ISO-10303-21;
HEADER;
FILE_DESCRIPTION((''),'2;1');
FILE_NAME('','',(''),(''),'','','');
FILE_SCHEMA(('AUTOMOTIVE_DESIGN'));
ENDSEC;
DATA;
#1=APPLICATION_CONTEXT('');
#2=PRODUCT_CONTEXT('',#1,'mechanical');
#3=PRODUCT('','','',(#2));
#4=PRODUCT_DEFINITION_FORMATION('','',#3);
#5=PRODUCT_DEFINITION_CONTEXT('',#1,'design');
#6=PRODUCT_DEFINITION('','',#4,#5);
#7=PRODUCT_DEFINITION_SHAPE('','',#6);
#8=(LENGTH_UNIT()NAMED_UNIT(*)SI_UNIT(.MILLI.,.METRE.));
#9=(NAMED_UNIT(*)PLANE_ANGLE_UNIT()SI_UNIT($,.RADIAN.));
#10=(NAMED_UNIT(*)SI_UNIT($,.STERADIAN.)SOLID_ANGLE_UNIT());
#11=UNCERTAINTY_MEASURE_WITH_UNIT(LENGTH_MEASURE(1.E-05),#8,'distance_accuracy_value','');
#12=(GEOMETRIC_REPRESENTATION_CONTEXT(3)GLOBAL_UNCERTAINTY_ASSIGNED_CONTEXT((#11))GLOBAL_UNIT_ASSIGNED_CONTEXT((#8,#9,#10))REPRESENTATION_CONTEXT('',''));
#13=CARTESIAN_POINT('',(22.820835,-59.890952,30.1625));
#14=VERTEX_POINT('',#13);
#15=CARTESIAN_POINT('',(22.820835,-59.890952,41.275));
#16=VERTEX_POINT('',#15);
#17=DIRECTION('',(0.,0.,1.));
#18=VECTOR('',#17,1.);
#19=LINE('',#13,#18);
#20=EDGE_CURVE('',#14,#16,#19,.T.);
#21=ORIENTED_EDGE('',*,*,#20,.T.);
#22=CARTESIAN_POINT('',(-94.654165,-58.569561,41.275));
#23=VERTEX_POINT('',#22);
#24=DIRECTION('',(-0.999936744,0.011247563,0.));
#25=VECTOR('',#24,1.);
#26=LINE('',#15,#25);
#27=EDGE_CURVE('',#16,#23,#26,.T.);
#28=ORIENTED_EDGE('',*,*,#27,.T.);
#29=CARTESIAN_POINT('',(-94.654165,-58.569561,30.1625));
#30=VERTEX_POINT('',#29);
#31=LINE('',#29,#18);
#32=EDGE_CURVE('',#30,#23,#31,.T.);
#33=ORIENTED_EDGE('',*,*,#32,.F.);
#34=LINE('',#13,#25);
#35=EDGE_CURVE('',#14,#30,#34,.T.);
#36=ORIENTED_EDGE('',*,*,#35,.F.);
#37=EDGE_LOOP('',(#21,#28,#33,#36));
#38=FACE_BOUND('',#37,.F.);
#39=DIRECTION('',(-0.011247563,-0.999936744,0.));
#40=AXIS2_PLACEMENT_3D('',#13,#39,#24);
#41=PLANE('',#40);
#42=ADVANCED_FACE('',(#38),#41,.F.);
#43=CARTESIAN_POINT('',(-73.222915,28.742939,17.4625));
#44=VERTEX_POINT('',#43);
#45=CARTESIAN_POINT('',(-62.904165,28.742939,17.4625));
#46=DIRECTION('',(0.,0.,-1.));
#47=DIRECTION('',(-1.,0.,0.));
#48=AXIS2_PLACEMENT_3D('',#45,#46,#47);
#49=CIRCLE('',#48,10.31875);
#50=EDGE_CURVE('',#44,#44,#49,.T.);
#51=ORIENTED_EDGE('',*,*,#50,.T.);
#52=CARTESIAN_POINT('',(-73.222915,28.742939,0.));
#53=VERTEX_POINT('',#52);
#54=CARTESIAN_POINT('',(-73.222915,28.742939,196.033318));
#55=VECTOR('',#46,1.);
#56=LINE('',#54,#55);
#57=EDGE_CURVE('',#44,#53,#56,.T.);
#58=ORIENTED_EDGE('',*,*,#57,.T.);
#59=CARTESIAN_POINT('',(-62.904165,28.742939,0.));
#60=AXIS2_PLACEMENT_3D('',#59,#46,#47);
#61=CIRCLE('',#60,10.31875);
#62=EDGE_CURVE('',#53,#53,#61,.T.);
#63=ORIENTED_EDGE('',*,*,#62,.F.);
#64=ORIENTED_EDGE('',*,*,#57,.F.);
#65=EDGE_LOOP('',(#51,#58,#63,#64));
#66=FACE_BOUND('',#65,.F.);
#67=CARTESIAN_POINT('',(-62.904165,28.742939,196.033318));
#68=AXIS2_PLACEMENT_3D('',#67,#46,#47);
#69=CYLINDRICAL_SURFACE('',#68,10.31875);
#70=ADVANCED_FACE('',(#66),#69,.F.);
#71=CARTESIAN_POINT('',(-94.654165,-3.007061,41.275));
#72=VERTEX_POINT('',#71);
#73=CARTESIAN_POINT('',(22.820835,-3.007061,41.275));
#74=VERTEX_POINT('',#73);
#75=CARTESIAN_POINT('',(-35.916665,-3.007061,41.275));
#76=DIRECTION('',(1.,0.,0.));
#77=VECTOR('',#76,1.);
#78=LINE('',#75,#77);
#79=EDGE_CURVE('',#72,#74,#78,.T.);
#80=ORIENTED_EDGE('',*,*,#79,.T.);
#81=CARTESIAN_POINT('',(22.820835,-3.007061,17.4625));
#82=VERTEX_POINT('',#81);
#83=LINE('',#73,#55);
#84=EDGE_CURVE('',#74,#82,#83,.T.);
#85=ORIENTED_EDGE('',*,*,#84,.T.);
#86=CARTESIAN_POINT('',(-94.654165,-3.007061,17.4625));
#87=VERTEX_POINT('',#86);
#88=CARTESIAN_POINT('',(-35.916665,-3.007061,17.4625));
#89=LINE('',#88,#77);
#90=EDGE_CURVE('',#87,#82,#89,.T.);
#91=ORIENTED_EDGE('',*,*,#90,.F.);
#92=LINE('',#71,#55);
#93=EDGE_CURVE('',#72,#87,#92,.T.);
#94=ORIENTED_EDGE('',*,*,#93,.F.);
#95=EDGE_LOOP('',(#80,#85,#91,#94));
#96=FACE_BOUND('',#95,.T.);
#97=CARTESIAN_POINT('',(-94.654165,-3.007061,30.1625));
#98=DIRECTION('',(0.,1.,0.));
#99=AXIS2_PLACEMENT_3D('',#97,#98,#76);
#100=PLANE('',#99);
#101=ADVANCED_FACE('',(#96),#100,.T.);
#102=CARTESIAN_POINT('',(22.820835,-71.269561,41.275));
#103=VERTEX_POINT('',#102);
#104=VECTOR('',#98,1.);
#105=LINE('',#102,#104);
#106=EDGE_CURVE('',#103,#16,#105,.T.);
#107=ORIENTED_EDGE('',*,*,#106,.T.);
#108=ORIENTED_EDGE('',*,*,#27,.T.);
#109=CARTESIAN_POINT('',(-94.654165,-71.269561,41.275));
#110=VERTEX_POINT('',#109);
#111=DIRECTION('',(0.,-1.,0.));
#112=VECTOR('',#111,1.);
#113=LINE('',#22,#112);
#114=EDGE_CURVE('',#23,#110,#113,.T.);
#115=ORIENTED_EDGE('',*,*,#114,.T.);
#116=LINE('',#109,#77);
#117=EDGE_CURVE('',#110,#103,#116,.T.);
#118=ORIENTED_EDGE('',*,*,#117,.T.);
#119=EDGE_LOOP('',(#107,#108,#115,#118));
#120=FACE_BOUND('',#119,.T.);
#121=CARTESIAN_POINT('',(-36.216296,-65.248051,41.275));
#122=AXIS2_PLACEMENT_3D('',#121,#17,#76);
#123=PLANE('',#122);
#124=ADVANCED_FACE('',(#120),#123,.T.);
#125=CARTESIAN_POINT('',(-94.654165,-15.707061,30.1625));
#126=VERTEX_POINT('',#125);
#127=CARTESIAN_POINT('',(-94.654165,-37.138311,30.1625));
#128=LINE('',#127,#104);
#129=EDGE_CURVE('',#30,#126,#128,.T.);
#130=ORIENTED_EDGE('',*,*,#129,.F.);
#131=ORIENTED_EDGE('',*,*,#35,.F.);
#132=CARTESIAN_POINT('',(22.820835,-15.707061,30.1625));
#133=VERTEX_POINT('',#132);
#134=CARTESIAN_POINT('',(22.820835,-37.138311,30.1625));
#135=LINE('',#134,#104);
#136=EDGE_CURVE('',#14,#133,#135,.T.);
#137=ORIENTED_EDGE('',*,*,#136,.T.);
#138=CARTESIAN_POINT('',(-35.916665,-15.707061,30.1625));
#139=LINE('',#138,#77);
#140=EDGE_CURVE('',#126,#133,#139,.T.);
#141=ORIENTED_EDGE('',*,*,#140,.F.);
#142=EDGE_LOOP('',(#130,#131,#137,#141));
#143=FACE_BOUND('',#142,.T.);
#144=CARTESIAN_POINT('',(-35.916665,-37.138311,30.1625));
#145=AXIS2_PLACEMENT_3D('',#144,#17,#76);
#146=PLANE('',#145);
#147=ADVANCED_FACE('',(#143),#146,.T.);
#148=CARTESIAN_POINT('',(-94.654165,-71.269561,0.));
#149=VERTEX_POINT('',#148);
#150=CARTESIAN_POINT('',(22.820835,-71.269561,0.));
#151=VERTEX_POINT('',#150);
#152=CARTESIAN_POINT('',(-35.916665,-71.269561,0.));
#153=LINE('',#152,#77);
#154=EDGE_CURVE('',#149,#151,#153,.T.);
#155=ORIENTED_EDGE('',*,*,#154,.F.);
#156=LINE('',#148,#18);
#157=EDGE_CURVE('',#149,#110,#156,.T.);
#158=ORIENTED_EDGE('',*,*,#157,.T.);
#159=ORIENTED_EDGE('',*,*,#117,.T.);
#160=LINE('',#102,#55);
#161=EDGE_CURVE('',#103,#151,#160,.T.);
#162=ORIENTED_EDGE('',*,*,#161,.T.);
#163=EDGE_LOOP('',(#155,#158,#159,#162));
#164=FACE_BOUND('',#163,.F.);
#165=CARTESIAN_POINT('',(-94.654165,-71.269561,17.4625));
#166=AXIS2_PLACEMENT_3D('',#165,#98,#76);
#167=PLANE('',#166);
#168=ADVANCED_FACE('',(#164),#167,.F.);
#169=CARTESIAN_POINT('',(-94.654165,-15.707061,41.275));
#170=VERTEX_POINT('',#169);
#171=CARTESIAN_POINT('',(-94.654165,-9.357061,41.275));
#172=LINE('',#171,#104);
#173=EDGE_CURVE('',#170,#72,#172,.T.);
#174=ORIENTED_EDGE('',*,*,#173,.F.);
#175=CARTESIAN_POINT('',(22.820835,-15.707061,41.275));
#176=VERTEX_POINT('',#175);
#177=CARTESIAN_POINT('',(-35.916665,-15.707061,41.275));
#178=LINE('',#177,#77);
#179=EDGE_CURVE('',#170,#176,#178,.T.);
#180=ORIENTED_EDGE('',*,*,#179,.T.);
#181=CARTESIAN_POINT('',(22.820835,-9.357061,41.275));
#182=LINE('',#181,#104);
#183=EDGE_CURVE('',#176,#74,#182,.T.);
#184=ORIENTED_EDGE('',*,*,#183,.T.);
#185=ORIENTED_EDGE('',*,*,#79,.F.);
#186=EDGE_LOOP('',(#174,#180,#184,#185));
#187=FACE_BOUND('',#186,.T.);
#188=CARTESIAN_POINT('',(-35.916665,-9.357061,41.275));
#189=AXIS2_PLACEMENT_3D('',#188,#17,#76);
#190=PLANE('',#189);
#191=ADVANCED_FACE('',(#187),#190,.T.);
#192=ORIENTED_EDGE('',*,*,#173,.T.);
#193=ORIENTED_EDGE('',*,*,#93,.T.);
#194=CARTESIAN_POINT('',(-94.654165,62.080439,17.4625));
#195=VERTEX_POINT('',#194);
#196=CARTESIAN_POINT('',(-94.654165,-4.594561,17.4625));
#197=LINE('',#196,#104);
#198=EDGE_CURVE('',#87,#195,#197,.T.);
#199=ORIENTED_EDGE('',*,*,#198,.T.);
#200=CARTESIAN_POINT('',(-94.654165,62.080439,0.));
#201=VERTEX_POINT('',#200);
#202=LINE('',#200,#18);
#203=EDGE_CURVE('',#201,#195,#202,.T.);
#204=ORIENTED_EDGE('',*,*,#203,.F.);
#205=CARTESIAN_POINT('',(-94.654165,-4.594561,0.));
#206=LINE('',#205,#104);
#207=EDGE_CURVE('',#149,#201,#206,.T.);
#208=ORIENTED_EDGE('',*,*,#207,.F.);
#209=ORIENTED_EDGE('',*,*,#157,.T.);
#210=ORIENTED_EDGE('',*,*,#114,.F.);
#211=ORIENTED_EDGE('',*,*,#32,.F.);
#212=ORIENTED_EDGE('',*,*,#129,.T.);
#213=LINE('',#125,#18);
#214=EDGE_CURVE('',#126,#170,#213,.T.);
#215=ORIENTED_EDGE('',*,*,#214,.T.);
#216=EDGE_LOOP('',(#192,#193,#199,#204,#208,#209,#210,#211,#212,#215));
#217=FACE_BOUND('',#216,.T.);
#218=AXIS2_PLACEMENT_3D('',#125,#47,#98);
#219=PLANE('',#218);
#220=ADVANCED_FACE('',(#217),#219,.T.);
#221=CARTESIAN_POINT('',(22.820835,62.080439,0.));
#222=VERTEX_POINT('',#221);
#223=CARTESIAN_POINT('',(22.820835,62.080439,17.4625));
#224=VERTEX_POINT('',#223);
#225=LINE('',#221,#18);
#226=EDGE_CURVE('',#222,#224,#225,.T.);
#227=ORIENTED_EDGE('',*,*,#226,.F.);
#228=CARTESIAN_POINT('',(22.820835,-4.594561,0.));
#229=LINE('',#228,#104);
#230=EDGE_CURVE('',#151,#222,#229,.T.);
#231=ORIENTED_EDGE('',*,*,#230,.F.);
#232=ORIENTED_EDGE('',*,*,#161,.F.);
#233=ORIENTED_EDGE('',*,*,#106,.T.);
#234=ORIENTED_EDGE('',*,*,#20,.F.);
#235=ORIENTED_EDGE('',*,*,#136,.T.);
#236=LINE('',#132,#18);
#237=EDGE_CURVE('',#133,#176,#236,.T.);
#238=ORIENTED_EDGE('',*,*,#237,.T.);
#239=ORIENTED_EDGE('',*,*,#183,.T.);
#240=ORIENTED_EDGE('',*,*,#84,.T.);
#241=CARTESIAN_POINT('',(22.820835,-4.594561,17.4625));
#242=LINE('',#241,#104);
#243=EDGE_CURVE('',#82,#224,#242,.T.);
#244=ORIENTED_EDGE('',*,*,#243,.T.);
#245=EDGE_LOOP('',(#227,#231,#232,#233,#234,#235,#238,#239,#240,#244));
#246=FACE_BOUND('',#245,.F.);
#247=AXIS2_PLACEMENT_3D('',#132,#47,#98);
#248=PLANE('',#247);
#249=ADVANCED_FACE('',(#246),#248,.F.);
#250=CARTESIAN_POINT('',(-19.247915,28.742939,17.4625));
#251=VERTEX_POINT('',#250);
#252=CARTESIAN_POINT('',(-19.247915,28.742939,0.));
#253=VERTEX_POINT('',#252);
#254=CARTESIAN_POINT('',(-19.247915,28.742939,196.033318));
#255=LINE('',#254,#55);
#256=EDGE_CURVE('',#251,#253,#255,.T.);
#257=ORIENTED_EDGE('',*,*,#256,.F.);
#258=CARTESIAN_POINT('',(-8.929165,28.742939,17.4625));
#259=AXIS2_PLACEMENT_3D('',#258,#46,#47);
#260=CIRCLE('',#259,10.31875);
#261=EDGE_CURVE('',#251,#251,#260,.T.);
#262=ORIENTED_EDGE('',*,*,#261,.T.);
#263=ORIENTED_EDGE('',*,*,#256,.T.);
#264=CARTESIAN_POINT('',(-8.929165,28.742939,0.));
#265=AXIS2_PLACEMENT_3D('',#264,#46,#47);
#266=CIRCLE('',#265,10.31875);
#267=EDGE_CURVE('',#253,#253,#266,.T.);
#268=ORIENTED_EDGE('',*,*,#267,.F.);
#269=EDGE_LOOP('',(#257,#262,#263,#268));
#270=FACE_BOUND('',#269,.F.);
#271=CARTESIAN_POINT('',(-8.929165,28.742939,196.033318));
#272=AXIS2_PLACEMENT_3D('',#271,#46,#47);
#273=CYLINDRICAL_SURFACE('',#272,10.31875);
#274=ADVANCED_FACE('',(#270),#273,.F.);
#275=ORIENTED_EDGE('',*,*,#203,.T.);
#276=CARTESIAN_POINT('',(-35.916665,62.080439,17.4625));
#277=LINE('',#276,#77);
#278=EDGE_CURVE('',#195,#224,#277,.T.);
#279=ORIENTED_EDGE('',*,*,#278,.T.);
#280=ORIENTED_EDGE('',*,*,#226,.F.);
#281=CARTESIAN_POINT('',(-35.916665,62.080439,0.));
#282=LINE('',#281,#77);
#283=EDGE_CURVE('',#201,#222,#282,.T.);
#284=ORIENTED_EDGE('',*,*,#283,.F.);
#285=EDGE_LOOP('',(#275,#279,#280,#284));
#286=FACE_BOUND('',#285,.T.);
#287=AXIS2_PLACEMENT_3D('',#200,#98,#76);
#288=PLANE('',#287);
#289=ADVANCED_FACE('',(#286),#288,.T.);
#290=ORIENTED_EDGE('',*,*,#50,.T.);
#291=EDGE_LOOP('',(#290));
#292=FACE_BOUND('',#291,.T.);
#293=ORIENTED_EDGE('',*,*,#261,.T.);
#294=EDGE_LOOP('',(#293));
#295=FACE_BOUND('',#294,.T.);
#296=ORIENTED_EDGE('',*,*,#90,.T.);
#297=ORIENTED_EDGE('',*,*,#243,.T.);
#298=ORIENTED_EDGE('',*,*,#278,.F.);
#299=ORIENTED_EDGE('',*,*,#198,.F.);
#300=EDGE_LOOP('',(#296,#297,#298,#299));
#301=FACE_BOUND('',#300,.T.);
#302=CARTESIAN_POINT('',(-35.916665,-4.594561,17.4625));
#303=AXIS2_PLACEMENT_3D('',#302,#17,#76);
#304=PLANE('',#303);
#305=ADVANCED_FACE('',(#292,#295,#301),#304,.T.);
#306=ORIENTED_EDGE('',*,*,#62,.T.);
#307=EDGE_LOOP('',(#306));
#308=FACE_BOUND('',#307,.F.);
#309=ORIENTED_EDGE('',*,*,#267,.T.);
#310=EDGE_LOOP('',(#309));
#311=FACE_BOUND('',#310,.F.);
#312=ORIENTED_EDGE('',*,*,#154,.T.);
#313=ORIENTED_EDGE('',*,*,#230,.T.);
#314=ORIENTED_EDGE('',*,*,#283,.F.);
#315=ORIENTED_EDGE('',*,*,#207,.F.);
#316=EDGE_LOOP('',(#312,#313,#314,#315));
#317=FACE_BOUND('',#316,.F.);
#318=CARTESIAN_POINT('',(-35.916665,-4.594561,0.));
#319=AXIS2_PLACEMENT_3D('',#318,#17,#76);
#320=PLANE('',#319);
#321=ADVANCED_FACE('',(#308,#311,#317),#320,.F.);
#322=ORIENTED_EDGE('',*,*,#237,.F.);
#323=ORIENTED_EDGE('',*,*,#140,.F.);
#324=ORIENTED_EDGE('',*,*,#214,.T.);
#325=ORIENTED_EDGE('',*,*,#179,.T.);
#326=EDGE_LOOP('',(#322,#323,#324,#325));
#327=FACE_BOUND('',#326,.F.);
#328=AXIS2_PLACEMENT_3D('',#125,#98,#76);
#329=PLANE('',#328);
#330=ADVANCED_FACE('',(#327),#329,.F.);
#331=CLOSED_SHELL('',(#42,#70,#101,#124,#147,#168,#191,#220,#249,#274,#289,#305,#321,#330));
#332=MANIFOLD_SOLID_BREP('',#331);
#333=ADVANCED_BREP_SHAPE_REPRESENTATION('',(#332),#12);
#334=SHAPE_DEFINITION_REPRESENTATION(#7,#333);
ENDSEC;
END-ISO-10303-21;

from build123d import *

# Parameters (mm, degrees)
F0_W     = 117.475
F0_H     = 133.35
F1_DEPTH = 17.4625
F3_D     = 20.6375
F2_W     = 117.475
F2_H     = 68.2625
F4_DEPTH = 12.7
F5_W     = 117.475
F5_H     = 12.7
F6_DEPTH = 11.1125


with BuildPart() as f1:
    # F0 (on Top) → F1 (new body)
    with BuildSketch(Plane.XY):
        with Locations((-35.916665, -4.594561)):
            Rectangle(F0_W, F0_H)
    extrude(amount=F1_DEPTH)

    # F3 (through all)
    with Locations(Plane.XY.offset(17.4625)):
        with Locations((-62.904165, 28.742939), (-8.929165, 28.742939)):
            Hole(F3_D / 2)

    # F2 (on face) → F4 (join)
    with BuildSketch(Plane.XY.offset(17.4625)):
        with Locations((-35.916665, -37.138311)):
            Rectangle(F2_W, F2_H)
    extrude(amount=F4_DEPTH)

    # F5 (on face) → F6 (join)
    with BuildSketch(Plane.XY.offset(30.1625)):
        with Locations((-35.916665, -9.357061)):
            Rectangle(F5_W, F5_H)
        Polygon((-94.654165, -71.269561), (22.820835, -71.269561), (22.820835, -59.890952), (-94.654165, -58.569561), align=None)
    extrude(amount=F6_DEPTH)


solid = f1.part
